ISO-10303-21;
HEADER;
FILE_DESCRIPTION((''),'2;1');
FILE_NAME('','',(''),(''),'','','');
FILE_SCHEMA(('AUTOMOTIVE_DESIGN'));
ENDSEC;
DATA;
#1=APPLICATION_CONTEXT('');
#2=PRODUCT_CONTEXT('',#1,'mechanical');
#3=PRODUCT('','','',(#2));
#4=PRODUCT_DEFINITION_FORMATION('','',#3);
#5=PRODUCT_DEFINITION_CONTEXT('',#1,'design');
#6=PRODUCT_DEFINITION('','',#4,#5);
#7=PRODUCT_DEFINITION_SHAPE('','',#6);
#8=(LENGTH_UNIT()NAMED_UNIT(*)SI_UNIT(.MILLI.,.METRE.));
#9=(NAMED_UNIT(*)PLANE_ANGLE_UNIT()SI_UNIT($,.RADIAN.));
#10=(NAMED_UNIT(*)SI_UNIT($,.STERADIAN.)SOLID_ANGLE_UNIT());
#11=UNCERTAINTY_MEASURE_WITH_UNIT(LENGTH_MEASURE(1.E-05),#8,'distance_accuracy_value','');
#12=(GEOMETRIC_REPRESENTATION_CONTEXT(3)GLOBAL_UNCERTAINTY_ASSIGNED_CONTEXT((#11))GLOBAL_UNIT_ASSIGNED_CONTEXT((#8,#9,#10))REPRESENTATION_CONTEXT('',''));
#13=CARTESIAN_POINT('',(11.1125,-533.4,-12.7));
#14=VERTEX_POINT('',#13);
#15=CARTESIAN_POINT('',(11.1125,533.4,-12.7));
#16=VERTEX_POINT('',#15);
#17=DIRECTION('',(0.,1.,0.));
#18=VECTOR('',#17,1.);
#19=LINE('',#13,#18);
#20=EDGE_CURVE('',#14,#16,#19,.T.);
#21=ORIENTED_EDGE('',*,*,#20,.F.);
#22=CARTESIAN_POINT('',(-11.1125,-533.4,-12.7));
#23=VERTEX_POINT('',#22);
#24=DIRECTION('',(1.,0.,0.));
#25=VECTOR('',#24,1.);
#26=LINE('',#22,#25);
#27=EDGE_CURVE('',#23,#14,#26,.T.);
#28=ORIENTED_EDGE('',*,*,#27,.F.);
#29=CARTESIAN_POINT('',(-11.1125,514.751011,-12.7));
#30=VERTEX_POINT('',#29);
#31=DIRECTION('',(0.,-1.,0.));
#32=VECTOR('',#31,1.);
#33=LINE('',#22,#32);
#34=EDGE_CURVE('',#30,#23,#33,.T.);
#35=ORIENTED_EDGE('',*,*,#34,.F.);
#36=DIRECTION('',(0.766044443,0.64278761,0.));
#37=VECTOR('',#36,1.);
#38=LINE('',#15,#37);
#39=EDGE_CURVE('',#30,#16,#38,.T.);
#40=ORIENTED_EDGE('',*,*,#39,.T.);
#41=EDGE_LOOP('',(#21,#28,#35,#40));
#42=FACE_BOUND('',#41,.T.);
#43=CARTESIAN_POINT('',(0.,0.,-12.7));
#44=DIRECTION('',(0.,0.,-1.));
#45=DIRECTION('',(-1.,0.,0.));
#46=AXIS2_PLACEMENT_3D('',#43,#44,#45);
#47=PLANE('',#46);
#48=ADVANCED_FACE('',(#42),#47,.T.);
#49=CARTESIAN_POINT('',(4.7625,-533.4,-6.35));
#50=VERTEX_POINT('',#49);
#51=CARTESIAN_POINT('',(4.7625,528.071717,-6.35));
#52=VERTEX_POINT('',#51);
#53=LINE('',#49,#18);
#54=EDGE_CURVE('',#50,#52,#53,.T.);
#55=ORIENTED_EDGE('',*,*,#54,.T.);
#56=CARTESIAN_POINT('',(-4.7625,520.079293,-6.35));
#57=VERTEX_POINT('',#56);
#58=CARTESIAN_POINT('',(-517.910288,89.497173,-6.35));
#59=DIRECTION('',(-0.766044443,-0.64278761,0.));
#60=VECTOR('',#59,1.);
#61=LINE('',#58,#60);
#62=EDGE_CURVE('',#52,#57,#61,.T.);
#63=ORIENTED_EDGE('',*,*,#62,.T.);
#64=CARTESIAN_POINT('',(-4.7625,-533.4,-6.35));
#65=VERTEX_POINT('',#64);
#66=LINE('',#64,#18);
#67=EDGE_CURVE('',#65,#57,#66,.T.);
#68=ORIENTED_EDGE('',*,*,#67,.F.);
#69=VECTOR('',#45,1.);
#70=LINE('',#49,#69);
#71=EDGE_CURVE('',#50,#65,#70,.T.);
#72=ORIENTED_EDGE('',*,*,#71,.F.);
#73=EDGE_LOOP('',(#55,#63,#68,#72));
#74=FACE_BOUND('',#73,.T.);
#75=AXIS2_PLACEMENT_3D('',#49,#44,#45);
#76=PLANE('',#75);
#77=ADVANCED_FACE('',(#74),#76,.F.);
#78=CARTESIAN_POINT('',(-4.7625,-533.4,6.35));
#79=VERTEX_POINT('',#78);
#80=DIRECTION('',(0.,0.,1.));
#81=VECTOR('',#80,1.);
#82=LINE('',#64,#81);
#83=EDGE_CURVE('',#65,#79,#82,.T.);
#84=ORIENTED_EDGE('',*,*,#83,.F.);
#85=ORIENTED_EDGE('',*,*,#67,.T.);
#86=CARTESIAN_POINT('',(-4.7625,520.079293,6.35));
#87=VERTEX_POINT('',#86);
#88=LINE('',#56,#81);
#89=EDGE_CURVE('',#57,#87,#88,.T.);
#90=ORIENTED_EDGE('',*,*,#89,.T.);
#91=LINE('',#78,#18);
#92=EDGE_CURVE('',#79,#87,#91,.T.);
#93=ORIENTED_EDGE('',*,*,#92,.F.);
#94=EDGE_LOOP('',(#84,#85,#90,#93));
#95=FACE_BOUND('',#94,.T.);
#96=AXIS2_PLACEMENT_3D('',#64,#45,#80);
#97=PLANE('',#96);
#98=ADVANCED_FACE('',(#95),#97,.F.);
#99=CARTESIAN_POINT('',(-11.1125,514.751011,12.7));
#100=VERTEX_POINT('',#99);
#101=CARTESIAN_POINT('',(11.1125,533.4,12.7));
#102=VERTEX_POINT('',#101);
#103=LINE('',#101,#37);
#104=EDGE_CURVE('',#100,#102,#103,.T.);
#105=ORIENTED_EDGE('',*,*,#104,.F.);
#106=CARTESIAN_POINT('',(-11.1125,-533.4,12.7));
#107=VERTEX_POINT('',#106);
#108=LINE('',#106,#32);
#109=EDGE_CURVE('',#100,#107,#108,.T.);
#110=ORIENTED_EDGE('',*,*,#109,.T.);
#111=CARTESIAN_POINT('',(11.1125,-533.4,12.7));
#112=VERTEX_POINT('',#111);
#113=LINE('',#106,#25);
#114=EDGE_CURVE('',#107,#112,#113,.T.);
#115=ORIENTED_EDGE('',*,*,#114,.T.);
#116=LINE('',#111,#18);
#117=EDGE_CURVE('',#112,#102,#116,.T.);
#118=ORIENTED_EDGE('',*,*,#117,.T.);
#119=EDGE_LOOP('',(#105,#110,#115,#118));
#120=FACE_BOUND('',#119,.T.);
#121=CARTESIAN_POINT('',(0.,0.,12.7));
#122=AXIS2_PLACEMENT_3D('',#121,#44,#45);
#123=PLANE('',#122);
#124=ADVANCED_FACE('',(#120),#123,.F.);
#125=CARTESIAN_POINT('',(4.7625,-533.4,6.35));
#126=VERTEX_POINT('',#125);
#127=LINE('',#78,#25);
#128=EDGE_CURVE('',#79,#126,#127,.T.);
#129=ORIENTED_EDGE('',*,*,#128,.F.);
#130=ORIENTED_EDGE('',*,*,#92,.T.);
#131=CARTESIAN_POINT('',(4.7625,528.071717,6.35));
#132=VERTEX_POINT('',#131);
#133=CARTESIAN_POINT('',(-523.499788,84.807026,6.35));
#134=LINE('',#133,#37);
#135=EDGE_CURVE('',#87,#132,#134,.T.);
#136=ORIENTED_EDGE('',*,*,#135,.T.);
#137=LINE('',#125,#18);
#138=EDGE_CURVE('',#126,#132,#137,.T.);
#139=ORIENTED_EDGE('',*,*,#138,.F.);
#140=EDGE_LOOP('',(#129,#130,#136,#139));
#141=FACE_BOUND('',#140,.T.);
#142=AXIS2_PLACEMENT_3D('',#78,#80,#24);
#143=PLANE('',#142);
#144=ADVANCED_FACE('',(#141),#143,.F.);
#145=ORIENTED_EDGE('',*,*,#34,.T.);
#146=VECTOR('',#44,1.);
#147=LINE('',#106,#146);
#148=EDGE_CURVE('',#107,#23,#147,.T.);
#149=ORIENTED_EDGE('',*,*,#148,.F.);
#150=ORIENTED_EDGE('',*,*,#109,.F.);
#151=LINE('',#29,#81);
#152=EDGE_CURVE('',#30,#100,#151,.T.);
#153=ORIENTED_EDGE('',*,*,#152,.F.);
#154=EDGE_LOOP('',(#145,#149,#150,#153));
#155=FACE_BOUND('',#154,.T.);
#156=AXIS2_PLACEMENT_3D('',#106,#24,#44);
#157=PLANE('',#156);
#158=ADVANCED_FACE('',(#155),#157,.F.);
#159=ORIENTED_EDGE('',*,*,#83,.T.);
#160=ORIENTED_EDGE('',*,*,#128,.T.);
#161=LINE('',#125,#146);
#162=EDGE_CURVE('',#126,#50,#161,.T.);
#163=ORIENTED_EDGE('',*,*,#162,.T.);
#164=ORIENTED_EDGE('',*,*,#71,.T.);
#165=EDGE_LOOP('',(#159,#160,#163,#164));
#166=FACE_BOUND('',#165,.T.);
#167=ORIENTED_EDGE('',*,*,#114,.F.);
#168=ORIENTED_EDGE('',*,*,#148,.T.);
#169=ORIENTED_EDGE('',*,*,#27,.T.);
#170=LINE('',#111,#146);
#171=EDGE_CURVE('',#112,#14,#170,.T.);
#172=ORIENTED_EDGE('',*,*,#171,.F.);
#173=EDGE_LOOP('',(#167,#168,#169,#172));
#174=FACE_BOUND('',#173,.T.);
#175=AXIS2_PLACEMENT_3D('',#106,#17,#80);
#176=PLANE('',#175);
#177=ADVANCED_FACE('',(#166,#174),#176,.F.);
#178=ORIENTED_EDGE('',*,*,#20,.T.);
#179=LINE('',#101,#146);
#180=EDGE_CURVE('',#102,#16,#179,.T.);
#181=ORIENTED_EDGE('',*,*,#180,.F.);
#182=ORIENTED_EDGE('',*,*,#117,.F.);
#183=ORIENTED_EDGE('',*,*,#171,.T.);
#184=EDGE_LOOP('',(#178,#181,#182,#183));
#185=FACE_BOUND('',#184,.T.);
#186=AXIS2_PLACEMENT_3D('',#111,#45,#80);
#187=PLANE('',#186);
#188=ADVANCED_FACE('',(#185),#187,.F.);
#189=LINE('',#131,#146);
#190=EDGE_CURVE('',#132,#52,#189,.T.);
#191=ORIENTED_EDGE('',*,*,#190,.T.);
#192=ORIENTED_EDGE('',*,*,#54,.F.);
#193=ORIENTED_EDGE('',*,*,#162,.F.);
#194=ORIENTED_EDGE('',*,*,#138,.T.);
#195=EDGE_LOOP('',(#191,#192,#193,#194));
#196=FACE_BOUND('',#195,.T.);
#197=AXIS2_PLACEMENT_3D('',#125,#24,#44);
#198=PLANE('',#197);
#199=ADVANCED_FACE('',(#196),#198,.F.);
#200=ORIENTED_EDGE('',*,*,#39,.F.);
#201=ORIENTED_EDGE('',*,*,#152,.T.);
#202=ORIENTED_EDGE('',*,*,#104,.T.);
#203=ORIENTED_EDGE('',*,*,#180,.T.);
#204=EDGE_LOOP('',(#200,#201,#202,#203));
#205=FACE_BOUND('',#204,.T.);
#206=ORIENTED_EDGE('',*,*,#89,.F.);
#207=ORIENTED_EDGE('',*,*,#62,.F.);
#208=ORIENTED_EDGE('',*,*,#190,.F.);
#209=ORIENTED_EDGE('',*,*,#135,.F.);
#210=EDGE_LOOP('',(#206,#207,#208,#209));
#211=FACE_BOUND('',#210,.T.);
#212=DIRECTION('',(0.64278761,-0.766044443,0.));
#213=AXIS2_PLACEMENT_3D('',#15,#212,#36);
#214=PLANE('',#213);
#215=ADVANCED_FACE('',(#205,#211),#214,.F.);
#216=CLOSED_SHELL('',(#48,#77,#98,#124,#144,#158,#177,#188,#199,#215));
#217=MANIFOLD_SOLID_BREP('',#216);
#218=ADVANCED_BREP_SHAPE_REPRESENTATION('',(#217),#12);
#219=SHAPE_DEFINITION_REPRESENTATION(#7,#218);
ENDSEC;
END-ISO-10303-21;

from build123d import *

# Parameters (mm, degrees)
SKETCH2_W           = 22.225
SKETCH2_H           = 1066.8
BOSS_EXTRUDE1_DEPTH = 12.7
SKETCH3_W           = 9.525
SKETCH3_H           = 12.7
CUT_EXTRUDE1_DEPTH  = 1067.933464494
CUT_EXTRUDE2_DEPTH  = 535.120031132


with BuildPart() as part:
    # Sketch2 → Boss-Extrude1 (new, symmetric)
    with BuildSketch(Plane.XY):
        Rectangle(SKETCH2_W, SKETCH2_H)
    extrude(amount=BOSS_EXTRUDE1_DEPTH, both=True)

    # Sketch3 → Cut-Extrude1 (cut, through all)
    with BuildSketch(Plane(origin=(0, 533.4, 0), x_dir=(1, 0, 0), z_dir=(0, 1, 0))):
        Rectangle(SKETCH3_W, SKETCH3_H)
    extrude(amount=-CUT_EXTRUDE1_DEPTH, mode=Mode.SUBTRACT)

    # Sketch4 → Cut-Extrude2 (cut, through all)
    with BuildSketch(Plane.XY.offset(12.7)):
        Polygon((11.1125, 533.4), (-11.1125, 514.751010697), (-11.1125, 533.4), align=None)
    extrude(amount=-CUT_EXTRUDE2_DEPTH, mode=Mode.SUBTRACT)


solid = part.part
